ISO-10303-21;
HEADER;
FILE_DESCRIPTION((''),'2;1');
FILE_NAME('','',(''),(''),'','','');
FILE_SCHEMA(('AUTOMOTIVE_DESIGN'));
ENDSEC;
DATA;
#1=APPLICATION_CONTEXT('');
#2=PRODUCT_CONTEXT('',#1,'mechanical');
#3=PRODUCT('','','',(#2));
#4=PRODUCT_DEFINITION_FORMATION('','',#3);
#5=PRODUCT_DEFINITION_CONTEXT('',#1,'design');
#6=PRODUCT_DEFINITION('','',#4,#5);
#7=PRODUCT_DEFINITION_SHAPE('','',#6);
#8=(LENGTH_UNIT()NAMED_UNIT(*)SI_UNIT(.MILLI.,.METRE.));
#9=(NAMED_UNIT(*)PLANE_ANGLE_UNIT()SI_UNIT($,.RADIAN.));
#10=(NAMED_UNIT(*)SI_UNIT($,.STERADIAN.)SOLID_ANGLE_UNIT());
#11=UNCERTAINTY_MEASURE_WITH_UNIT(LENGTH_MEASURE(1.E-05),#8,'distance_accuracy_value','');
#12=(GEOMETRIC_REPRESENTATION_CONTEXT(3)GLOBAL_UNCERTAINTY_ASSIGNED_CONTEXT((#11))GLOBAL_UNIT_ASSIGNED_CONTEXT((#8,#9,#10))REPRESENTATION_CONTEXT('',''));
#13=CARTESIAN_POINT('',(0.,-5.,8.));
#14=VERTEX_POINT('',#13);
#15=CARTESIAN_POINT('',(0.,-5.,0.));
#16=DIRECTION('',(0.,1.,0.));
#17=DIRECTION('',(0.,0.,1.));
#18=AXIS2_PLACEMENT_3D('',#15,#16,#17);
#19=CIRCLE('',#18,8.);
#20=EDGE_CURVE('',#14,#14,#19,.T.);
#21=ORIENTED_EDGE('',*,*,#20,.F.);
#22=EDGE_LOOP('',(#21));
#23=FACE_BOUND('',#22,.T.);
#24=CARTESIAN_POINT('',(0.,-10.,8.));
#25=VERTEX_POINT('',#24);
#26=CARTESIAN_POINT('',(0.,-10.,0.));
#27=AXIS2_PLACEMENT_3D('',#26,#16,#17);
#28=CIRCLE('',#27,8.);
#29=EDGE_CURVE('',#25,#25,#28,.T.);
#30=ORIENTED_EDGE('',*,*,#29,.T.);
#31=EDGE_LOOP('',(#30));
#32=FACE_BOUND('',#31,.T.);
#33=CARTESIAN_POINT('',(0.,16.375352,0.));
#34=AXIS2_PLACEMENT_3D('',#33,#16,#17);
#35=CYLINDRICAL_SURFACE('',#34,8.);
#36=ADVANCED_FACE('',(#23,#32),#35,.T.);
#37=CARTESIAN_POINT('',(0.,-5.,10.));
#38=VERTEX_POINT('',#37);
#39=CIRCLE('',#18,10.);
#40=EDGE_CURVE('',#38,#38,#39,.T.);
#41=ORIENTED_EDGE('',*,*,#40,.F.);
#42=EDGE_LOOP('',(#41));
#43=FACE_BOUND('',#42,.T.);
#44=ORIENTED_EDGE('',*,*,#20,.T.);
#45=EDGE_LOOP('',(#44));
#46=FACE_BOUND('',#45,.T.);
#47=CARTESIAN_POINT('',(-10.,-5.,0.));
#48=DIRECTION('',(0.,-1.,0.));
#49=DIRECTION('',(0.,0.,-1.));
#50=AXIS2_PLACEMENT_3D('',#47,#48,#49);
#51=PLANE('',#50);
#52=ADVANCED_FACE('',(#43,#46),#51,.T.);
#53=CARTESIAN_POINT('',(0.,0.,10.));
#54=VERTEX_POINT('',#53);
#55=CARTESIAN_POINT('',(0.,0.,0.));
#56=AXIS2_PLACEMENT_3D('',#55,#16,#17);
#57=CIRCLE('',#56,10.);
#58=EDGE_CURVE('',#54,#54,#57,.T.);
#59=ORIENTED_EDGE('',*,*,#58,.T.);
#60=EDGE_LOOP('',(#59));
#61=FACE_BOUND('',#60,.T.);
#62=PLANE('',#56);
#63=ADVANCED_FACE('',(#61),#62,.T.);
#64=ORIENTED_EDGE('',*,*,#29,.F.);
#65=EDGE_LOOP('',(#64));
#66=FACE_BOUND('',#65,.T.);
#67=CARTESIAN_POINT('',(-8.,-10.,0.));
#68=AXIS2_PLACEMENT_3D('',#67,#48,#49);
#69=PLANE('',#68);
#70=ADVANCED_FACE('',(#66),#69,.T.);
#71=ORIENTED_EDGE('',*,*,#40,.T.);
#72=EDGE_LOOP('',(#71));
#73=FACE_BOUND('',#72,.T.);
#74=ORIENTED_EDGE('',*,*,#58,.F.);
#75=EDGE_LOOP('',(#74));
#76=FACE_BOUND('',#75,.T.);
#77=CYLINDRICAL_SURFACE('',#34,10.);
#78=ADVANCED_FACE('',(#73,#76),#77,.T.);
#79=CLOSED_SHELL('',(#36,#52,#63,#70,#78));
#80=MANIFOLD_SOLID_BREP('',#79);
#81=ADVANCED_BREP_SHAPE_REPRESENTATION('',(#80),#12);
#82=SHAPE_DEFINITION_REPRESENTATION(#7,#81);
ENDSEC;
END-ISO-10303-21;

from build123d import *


with BuildPart() as part:
    # Sketch1 → Revolve1 (revolve)
    with BuildSketch(Plane.XY, mode=Mode.PRIVATE) as revolve1_sk:
        Polygon((0, 0), (-10, 0), (-10, -5), (-8, -5), (-8, -10), (0, -10), align=None)
    revolve(revolve1_sk.sketch.rotate(Axis((0, 16.375352252, 0), (0, -1, 0)), 270), axis=Axis((0, 16.375352252, 0), (0, -1, 0)))


solid = part.part
